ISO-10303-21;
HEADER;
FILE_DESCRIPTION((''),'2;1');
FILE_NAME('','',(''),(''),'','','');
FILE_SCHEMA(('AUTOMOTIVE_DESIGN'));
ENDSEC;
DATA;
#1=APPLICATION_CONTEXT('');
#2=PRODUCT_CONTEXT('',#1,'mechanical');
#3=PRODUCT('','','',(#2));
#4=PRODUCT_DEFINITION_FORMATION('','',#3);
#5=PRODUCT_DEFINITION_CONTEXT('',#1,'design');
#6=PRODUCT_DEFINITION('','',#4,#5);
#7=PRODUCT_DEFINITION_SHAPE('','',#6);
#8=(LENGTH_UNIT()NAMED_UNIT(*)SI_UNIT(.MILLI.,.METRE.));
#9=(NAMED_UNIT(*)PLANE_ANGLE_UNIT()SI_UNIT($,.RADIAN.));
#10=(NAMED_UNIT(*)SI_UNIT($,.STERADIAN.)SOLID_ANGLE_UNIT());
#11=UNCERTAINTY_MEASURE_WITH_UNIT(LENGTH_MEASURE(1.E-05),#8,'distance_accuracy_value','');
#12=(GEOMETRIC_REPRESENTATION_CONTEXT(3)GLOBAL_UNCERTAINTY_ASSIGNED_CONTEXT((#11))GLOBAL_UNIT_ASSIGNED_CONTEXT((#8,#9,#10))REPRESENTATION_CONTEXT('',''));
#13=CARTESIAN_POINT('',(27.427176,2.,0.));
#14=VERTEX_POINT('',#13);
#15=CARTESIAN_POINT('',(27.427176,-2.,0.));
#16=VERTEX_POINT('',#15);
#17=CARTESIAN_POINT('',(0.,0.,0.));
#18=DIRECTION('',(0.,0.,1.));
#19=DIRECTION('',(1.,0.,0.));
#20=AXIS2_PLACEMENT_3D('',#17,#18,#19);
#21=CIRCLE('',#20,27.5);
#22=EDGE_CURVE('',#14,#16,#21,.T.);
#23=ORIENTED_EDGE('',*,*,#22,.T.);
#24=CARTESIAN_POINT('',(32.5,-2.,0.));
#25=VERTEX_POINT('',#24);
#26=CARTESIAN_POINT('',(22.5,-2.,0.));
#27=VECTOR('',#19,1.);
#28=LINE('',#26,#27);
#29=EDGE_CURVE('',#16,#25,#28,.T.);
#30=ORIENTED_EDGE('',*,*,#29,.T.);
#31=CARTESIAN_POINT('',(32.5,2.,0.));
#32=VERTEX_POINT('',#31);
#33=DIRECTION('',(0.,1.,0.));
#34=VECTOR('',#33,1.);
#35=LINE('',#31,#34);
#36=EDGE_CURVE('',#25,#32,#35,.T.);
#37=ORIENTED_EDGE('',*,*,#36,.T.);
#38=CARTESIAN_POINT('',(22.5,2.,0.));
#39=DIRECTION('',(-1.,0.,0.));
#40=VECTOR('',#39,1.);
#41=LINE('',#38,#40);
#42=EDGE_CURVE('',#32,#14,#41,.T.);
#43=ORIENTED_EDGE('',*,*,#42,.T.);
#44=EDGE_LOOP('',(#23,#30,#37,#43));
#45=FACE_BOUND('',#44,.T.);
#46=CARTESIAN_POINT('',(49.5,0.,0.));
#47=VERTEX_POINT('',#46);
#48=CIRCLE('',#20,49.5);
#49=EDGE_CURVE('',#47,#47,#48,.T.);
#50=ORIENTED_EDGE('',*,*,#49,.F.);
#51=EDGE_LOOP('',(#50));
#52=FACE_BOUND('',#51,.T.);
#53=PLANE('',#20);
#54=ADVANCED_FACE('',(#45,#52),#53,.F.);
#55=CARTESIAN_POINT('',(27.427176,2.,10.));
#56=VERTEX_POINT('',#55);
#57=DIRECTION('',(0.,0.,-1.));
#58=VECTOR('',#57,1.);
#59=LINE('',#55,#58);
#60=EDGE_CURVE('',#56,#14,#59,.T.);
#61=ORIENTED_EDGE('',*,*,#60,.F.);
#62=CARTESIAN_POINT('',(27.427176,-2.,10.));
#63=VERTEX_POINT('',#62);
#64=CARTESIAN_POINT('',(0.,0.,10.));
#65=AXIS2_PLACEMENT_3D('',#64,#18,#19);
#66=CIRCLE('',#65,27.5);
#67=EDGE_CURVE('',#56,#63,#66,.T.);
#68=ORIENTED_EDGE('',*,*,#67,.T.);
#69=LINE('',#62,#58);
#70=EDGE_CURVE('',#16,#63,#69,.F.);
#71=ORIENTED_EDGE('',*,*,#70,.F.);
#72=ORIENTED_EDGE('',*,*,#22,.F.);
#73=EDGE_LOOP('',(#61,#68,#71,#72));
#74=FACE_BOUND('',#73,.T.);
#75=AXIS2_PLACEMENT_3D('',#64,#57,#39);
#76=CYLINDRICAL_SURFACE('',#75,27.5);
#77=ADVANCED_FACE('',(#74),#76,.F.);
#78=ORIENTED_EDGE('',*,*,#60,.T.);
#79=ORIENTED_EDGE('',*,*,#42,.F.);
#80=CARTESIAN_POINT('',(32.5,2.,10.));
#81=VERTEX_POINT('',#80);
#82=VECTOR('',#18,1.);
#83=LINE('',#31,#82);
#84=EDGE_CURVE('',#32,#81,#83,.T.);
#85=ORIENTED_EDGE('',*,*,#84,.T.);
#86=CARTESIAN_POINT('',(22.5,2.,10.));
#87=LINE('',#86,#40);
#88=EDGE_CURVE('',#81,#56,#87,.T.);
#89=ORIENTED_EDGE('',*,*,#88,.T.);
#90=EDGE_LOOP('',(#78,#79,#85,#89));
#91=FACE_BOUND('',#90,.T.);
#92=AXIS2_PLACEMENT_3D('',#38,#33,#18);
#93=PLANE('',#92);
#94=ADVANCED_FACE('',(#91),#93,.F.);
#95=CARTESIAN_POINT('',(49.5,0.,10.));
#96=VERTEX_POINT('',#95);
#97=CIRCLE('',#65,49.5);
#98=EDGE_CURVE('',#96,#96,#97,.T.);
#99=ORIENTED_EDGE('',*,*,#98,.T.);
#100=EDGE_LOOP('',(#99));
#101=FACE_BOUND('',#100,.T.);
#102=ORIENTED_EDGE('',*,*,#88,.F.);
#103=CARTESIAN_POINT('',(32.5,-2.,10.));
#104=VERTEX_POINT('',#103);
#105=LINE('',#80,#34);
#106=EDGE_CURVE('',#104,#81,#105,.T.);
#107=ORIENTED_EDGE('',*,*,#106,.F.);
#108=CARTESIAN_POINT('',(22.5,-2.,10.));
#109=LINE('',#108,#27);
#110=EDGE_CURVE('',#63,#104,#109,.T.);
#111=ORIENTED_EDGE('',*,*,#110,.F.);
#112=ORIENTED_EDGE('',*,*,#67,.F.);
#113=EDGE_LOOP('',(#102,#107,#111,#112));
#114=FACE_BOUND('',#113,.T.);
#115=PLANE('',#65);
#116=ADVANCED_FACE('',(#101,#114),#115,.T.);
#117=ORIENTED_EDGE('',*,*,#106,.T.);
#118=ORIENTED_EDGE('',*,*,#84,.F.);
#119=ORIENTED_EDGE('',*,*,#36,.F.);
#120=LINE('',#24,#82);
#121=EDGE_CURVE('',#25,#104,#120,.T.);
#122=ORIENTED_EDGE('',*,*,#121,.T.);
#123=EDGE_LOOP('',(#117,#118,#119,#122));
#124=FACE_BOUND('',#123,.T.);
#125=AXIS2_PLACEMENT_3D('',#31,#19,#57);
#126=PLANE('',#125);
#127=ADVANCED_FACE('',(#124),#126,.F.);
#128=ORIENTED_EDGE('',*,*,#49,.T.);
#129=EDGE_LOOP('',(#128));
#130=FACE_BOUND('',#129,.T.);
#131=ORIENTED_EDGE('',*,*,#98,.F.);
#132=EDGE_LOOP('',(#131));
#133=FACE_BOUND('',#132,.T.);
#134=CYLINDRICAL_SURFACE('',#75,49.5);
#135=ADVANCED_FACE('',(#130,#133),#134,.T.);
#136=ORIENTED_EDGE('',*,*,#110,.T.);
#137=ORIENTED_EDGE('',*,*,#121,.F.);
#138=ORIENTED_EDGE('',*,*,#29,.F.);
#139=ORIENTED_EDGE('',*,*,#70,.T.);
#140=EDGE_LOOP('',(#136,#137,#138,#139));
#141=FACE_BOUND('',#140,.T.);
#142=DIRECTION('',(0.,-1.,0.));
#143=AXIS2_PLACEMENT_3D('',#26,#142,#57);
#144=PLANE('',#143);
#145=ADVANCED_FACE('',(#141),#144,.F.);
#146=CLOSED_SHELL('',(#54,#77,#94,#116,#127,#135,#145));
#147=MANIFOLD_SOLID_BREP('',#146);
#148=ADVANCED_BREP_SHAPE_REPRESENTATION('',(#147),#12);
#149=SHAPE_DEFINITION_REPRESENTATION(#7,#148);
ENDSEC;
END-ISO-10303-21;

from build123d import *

# Parameters (mm, degrees)
SKETCH1_R           = 49.5
SKETCH1_R_2         = 27.5
BOSS_EXTRUDE1_DEPTH = 10
SKETCH2_W           = 10
SKETCH2_H           = 4
CUT_EXTRUDE1_DEPTH  = 11


with BuildPart() as part:
    # Sketch1 → Boss-Extrude1 (new body)
    with BuildSketch(Plane.XY):
        Circle(SKETCH1_R)
        Circle(SKETCH1_R_2, mode=Mode.SUBTRACT)
    extrude(amount=BOSS_EXTRUDE1_DEPTH)

    # Sketch2 → Cut-Extrude1 (cut, through all)
    with BuildSketch(Plane.XY.offset(10)):
        with Locations((27.5, 0)):
            Rectangle(SKETCH2_W, SKETCH2_H)
    extrude(amount=-CUT_EXTRUDE1_DEPTH, mode=Mode.SUBTRACT)


solid = part.part
